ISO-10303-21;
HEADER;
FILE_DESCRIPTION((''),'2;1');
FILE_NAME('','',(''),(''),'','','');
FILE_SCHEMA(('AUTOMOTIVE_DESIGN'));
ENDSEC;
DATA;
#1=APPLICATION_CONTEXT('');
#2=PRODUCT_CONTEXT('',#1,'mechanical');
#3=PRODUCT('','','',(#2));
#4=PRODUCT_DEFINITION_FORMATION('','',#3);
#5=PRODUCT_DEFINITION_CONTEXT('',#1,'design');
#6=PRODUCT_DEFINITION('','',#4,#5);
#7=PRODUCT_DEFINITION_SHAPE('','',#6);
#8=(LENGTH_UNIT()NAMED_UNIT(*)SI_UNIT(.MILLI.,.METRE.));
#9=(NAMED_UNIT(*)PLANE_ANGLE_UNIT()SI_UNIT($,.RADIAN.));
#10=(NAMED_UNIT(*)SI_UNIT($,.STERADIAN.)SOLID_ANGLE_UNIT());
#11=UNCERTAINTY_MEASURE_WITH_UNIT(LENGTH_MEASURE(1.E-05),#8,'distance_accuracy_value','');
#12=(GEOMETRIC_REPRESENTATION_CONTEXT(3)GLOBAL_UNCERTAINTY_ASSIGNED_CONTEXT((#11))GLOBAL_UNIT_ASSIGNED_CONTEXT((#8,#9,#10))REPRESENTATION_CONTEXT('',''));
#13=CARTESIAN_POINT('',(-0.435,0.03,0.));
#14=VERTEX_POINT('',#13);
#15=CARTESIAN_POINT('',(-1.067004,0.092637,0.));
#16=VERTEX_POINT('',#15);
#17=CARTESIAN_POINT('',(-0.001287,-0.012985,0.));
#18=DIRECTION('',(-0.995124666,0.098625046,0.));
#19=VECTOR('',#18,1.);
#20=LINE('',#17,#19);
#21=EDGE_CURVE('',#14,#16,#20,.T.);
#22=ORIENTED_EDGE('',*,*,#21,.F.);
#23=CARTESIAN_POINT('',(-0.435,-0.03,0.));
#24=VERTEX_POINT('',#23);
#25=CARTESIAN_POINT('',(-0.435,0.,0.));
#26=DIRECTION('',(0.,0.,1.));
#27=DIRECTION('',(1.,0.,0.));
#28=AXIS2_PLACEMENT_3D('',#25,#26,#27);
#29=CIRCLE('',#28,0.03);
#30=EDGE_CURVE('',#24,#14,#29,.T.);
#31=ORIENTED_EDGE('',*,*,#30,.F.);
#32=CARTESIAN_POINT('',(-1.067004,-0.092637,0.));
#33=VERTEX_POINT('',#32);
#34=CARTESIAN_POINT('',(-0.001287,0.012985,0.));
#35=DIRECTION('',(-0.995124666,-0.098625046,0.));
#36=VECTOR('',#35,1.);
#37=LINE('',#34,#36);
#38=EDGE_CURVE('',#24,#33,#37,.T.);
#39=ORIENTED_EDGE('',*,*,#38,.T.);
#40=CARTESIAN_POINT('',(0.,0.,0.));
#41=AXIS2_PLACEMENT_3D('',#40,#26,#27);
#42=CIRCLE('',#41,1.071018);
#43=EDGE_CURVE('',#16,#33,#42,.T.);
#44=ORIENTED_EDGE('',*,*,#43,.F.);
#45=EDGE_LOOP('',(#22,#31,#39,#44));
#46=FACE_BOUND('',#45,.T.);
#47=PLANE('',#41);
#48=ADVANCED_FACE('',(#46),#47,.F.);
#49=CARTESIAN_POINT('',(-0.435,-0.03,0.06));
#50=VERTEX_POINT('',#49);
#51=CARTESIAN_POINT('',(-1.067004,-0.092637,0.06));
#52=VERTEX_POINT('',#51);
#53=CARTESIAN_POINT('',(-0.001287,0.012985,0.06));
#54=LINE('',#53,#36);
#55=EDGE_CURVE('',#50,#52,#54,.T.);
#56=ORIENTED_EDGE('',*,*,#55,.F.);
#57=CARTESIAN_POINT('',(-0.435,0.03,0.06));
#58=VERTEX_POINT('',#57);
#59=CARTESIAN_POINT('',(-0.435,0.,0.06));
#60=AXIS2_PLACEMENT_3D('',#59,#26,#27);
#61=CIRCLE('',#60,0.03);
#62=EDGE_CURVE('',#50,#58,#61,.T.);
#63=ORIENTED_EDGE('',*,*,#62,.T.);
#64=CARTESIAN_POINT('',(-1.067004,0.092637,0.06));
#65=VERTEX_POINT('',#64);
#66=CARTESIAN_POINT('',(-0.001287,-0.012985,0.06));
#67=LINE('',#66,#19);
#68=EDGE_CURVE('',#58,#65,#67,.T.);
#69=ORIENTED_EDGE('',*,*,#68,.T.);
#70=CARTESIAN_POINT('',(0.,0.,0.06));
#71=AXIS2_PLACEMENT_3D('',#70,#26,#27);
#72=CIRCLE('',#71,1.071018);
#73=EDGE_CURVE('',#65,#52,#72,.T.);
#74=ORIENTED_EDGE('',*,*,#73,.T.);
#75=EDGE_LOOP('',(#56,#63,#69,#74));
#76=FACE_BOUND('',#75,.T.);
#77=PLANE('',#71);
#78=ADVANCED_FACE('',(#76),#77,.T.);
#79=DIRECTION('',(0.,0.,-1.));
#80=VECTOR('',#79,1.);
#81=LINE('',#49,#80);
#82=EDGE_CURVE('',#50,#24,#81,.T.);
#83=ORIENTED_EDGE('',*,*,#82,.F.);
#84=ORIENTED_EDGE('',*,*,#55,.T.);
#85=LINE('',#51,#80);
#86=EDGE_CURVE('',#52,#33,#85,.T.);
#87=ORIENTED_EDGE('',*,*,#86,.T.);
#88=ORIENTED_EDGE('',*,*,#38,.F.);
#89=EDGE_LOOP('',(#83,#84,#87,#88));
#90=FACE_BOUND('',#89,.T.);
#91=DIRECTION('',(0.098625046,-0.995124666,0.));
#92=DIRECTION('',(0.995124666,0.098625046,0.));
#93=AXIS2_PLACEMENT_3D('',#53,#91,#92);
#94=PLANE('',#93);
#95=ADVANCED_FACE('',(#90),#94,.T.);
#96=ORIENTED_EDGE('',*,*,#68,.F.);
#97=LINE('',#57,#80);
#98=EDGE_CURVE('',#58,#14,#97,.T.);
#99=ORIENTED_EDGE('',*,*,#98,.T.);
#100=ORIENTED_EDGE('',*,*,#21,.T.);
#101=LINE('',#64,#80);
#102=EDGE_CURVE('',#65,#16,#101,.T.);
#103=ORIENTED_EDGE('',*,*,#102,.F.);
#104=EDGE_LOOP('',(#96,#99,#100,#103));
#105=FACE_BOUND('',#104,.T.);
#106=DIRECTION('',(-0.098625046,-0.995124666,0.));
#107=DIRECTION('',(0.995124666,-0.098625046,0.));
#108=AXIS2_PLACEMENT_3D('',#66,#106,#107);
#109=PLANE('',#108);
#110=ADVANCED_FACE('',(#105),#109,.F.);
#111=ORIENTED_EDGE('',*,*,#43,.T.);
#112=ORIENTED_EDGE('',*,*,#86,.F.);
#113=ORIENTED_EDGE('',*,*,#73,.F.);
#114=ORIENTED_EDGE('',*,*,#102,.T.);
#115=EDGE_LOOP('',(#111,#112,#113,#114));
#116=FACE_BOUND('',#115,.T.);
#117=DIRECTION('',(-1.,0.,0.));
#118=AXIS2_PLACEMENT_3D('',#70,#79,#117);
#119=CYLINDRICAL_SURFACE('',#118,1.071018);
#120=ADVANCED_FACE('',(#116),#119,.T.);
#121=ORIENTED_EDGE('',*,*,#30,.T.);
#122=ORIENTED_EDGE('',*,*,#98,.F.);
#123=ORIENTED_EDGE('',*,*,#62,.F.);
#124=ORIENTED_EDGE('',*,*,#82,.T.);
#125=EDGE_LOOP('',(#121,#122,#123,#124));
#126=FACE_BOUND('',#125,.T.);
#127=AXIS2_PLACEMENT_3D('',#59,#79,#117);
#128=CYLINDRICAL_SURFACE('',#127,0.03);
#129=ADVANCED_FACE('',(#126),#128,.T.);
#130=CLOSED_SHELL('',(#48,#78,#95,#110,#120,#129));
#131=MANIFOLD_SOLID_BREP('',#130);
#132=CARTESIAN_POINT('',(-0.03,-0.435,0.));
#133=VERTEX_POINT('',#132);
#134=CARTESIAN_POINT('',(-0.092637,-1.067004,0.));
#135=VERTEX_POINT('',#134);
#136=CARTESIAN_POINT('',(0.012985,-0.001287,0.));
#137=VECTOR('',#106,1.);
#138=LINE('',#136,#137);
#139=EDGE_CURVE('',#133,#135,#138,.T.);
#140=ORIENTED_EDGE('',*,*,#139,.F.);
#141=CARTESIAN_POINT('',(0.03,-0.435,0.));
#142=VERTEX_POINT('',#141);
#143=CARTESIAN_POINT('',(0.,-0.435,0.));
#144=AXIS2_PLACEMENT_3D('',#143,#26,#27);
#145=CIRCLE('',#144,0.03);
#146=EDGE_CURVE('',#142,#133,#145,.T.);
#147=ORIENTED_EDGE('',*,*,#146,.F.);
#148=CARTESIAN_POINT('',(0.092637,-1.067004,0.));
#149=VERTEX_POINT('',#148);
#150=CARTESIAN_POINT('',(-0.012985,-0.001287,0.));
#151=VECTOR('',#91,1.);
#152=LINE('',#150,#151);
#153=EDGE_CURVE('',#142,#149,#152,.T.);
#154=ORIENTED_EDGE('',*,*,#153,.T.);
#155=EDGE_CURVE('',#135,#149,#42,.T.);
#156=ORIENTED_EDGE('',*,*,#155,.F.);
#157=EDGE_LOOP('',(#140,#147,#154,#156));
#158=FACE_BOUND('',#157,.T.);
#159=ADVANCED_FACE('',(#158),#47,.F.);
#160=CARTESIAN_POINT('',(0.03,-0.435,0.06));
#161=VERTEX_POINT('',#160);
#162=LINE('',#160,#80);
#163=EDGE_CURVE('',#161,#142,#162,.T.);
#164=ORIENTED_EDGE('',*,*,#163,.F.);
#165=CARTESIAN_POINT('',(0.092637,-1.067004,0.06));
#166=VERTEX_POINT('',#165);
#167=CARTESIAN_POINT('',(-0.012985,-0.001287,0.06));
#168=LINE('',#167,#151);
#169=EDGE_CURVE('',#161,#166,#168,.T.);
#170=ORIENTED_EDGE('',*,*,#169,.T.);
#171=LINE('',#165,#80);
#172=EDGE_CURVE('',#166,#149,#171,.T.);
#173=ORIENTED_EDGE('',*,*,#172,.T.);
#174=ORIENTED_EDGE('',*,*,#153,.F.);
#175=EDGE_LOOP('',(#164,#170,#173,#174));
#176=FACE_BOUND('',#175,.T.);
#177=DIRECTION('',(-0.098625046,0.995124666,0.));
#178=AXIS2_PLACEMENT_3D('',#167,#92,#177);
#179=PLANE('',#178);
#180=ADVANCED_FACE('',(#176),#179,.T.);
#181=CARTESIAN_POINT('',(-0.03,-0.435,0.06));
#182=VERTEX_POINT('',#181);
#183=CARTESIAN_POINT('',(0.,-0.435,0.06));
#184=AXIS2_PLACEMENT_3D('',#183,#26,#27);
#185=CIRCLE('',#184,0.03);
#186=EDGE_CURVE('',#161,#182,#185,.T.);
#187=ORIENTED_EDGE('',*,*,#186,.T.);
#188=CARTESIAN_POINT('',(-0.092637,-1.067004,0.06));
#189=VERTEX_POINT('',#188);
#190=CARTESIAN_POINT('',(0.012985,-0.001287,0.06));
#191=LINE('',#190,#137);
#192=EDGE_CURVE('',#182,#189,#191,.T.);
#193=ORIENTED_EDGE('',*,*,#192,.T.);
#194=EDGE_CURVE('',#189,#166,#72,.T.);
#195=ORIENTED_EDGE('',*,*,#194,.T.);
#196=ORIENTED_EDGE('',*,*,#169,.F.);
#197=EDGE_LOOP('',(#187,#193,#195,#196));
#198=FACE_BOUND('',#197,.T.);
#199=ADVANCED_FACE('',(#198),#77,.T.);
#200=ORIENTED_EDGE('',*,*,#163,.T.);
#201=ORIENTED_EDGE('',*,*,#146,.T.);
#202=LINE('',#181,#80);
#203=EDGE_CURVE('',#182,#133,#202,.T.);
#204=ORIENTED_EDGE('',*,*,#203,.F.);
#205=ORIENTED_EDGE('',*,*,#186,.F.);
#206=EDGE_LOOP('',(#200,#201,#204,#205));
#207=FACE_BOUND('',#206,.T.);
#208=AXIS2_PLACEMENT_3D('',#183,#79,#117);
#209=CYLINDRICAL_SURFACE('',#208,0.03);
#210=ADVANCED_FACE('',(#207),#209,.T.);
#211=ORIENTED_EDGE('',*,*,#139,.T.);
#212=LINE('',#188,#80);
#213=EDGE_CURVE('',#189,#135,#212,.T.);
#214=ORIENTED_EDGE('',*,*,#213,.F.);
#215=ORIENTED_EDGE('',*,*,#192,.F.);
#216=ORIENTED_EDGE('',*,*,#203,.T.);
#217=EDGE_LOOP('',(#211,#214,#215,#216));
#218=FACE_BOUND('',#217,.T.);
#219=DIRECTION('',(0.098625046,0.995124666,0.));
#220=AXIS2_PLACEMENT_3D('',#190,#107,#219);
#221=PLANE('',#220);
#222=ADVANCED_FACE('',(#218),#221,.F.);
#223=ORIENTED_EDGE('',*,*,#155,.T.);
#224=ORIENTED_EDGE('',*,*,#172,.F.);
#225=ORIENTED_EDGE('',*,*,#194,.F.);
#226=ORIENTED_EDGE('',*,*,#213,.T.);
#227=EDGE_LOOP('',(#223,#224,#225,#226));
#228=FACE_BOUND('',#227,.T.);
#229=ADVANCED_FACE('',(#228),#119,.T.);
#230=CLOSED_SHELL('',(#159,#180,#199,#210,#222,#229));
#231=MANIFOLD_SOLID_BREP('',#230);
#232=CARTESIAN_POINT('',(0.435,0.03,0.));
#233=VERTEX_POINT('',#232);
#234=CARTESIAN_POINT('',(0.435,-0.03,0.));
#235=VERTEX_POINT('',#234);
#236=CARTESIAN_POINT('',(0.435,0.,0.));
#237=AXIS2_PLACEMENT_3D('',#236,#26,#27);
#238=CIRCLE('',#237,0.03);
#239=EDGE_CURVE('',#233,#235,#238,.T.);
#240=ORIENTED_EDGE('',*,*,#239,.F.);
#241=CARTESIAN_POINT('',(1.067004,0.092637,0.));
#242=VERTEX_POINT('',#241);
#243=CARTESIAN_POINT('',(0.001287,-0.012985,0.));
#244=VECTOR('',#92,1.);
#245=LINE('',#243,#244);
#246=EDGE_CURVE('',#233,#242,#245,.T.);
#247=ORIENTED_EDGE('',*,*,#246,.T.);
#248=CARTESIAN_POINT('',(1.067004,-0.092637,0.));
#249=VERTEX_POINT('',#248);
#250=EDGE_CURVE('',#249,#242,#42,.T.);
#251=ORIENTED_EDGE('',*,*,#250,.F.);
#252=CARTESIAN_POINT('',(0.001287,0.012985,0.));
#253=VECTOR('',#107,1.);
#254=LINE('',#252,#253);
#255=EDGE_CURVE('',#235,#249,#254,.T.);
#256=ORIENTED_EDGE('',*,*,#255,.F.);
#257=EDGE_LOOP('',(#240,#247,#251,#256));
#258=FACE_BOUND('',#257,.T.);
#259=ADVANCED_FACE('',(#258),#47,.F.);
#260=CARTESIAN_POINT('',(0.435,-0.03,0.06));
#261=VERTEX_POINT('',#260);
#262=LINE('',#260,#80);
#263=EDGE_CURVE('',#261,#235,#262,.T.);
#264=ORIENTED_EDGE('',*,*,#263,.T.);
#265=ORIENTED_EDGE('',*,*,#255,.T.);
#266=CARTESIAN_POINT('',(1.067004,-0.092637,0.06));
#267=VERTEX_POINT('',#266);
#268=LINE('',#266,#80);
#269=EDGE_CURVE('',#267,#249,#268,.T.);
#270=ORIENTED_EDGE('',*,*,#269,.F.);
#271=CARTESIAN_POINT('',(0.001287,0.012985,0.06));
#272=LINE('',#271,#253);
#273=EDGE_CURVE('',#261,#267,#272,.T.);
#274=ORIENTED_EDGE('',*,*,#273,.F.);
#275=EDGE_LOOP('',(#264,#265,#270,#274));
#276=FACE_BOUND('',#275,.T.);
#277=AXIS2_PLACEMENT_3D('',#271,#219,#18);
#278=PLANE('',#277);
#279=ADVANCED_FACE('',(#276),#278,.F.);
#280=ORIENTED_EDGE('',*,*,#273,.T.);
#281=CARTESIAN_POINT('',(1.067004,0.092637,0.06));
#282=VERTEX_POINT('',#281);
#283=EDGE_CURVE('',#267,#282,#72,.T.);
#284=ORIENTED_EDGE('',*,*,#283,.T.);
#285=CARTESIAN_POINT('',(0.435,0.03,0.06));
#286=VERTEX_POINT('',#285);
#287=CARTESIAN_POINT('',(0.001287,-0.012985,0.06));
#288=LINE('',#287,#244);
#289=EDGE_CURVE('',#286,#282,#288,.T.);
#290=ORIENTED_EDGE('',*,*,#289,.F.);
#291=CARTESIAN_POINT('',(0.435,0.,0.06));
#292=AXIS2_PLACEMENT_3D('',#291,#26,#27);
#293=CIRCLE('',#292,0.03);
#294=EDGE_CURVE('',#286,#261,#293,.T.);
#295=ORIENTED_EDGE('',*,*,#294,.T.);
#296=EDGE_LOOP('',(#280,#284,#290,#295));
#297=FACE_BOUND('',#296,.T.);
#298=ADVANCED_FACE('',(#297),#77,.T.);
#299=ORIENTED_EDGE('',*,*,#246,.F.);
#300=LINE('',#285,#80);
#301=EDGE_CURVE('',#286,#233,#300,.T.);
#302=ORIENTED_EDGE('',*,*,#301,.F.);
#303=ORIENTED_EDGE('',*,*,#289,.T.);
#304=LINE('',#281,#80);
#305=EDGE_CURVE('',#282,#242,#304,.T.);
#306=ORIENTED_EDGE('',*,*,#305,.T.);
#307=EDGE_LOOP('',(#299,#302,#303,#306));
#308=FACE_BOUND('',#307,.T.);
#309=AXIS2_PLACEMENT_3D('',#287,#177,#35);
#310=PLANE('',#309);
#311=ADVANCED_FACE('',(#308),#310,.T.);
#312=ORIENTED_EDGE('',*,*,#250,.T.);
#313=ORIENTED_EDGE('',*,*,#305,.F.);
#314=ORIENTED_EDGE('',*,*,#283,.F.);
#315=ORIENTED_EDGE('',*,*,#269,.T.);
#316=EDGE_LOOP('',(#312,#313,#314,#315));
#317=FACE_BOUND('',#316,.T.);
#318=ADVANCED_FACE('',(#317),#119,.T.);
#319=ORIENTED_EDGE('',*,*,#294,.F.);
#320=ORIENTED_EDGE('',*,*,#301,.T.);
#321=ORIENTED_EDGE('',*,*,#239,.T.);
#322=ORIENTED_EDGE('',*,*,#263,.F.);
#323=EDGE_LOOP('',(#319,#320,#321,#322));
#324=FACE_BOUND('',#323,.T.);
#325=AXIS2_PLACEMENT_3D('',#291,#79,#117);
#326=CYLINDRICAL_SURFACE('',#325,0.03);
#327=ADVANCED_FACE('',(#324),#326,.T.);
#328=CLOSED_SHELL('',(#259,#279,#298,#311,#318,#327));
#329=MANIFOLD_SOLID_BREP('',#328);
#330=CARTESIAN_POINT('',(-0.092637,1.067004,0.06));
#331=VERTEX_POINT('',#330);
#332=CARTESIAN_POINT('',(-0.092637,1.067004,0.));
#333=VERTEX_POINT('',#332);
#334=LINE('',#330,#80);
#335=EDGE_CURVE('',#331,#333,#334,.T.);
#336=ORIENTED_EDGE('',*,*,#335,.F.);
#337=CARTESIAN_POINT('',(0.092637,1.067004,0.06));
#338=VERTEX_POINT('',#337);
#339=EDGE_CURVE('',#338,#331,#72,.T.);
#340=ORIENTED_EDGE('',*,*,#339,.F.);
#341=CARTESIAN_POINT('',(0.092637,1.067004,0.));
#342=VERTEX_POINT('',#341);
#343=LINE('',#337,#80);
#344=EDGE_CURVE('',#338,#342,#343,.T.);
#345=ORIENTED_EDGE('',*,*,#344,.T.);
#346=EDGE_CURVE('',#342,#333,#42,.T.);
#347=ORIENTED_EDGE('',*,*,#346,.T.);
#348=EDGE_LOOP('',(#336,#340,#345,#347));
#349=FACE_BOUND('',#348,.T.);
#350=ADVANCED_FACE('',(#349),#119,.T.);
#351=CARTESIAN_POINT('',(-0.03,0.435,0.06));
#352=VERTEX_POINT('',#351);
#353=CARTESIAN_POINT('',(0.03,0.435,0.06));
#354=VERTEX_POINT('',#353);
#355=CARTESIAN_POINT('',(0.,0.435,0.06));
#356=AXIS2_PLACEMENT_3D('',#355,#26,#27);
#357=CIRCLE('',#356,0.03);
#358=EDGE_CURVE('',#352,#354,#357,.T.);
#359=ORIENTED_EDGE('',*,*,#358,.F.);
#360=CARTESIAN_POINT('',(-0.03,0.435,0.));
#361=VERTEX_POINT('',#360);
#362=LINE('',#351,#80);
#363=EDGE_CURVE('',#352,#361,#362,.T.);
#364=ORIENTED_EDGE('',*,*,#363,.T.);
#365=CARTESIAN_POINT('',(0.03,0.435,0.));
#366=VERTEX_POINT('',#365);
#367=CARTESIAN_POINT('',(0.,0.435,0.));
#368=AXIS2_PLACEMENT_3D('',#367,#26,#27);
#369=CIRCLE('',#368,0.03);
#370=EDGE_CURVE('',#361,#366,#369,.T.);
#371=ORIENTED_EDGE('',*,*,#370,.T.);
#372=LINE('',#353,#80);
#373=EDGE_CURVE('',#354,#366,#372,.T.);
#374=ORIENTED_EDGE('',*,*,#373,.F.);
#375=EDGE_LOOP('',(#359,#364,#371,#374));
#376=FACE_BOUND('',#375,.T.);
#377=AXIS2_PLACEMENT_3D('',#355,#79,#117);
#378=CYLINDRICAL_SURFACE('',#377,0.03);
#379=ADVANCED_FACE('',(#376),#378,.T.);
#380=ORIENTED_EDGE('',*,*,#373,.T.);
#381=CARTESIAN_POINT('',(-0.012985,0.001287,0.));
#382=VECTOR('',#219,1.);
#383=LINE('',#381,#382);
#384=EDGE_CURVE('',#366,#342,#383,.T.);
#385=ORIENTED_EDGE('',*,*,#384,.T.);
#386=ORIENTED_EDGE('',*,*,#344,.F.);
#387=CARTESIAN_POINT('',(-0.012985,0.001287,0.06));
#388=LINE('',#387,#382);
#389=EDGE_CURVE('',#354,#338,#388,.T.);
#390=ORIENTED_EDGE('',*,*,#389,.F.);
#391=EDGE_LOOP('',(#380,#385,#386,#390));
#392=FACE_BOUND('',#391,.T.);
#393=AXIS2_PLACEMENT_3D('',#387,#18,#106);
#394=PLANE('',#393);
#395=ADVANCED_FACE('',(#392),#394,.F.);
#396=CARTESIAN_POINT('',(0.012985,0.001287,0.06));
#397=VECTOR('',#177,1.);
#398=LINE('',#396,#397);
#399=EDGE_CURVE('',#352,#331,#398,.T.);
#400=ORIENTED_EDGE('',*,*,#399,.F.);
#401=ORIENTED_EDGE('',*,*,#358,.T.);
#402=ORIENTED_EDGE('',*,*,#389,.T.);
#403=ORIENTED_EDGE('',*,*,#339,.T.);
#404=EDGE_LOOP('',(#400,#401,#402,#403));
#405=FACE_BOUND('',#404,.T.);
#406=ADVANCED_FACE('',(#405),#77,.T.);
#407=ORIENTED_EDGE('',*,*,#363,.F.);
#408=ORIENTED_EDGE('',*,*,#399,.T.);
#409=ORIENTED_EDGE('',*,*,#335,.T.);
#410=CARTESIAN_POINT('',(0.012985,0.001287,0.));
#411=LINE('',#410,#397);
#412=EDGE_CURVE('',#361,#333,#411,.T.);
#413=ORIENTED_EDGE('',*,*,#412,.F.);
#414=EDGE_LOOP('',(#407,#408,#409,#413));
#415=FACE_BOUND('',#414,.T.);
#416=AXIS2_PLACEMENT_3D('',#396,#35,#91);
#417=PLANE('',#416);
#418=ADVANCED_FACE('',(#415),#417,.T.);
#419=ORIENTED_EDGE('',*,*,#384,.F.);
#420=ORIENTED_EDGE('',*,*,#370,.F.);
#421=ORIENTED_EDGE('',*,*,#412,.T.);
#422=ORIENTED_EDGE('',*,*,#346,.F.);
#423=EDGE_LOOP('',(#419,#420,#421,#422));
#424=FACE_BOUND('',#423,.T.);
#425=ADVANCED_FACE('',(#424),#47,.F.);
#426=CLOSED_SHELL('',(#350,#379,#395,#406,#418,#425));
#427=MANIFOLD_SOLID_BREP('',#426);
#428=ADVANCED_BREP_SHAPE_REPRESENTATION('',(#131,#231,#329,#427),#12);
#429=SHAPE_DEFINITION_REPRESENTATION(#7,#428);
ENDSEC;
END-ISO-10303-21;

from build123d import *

# Parameters (mm, degrees)
EXTRUDE_1_DEPTH = 0.06


with BuildPart() as part:
    # 草圖1 → 填料-伸長1 (new body)
    with BuildSketch(Plane.XY):
        with BuildLine():
            ThreePointArc((-0.03, 0.435), (-0.021213203, 0.413786797), (0, 0.405))
            Line((0, 0.405), (0, 1.071017839))
            ThreePointArc((0, 1.071017839), (-0.046361859, 1.07001392), (-0.092636803, 1.067004046))
            Line((-0.092636803, 1.067004046), (-0.03, 0.435))
        make_face()
        with BuildLine():
            Line((0, 1.071017839), (0, 0.405))
            ThreePointArc((0, 0.405), (0.021213203, 0.413786797), (0.03, 0.435))
            Line((0.03, 0.435), (0.092636803, 1.067004046))
            ThreePointArc((0.092636803, 1.067004046), (0.046361859, 1.07001392), (0, 1.071017839))
        make_face()
        with BuildLine():
            ThreePointArc((-0.435, -0.03), (-0.405, 0), (-0.435, 0.03))
            Line((-0.435, 0.03), (-1.067004046, 0.092636803))
            ThreePointArc((-1.067004046, 0.092636803), (-1.071017839, 0), (-1.067004046, -0.092636803))
            Line((-1.067004046, -0.092636803), (-0.435, -0.03))
        make_face()
        with BuildLine():
            Line((0.03, -0.435), (0.092636803, -1.067004046))
            ThreePointArc((0.092636803, -1.067004046), (0, -1.071017839), (-0.092636803, -1.067004046))
            Line((-0.092636803, -1.067004046), (-0.03, -0.435))
            ThreePointArc((-0.03, -0.435), (0, -0.405), (0.03, -0.435))
        make_face()
        with BuildLine():
            Line((0.435, 0.03), (1.067004046, 0.092636803))
            ThreePointArc((1.067004046, 0.092636803), (1.071017839, 0), (1.067004046, -0.092636803))
            Line((1.067004046, -0.092636803), (0.435, -0.03))
            ThreePointArc((0.435, -0.03), (0.405, 0), (0.435, 0.03))
        make_face()
    extrude(amount=EXTRUDE_1_DEPTH)


solid = part.part
